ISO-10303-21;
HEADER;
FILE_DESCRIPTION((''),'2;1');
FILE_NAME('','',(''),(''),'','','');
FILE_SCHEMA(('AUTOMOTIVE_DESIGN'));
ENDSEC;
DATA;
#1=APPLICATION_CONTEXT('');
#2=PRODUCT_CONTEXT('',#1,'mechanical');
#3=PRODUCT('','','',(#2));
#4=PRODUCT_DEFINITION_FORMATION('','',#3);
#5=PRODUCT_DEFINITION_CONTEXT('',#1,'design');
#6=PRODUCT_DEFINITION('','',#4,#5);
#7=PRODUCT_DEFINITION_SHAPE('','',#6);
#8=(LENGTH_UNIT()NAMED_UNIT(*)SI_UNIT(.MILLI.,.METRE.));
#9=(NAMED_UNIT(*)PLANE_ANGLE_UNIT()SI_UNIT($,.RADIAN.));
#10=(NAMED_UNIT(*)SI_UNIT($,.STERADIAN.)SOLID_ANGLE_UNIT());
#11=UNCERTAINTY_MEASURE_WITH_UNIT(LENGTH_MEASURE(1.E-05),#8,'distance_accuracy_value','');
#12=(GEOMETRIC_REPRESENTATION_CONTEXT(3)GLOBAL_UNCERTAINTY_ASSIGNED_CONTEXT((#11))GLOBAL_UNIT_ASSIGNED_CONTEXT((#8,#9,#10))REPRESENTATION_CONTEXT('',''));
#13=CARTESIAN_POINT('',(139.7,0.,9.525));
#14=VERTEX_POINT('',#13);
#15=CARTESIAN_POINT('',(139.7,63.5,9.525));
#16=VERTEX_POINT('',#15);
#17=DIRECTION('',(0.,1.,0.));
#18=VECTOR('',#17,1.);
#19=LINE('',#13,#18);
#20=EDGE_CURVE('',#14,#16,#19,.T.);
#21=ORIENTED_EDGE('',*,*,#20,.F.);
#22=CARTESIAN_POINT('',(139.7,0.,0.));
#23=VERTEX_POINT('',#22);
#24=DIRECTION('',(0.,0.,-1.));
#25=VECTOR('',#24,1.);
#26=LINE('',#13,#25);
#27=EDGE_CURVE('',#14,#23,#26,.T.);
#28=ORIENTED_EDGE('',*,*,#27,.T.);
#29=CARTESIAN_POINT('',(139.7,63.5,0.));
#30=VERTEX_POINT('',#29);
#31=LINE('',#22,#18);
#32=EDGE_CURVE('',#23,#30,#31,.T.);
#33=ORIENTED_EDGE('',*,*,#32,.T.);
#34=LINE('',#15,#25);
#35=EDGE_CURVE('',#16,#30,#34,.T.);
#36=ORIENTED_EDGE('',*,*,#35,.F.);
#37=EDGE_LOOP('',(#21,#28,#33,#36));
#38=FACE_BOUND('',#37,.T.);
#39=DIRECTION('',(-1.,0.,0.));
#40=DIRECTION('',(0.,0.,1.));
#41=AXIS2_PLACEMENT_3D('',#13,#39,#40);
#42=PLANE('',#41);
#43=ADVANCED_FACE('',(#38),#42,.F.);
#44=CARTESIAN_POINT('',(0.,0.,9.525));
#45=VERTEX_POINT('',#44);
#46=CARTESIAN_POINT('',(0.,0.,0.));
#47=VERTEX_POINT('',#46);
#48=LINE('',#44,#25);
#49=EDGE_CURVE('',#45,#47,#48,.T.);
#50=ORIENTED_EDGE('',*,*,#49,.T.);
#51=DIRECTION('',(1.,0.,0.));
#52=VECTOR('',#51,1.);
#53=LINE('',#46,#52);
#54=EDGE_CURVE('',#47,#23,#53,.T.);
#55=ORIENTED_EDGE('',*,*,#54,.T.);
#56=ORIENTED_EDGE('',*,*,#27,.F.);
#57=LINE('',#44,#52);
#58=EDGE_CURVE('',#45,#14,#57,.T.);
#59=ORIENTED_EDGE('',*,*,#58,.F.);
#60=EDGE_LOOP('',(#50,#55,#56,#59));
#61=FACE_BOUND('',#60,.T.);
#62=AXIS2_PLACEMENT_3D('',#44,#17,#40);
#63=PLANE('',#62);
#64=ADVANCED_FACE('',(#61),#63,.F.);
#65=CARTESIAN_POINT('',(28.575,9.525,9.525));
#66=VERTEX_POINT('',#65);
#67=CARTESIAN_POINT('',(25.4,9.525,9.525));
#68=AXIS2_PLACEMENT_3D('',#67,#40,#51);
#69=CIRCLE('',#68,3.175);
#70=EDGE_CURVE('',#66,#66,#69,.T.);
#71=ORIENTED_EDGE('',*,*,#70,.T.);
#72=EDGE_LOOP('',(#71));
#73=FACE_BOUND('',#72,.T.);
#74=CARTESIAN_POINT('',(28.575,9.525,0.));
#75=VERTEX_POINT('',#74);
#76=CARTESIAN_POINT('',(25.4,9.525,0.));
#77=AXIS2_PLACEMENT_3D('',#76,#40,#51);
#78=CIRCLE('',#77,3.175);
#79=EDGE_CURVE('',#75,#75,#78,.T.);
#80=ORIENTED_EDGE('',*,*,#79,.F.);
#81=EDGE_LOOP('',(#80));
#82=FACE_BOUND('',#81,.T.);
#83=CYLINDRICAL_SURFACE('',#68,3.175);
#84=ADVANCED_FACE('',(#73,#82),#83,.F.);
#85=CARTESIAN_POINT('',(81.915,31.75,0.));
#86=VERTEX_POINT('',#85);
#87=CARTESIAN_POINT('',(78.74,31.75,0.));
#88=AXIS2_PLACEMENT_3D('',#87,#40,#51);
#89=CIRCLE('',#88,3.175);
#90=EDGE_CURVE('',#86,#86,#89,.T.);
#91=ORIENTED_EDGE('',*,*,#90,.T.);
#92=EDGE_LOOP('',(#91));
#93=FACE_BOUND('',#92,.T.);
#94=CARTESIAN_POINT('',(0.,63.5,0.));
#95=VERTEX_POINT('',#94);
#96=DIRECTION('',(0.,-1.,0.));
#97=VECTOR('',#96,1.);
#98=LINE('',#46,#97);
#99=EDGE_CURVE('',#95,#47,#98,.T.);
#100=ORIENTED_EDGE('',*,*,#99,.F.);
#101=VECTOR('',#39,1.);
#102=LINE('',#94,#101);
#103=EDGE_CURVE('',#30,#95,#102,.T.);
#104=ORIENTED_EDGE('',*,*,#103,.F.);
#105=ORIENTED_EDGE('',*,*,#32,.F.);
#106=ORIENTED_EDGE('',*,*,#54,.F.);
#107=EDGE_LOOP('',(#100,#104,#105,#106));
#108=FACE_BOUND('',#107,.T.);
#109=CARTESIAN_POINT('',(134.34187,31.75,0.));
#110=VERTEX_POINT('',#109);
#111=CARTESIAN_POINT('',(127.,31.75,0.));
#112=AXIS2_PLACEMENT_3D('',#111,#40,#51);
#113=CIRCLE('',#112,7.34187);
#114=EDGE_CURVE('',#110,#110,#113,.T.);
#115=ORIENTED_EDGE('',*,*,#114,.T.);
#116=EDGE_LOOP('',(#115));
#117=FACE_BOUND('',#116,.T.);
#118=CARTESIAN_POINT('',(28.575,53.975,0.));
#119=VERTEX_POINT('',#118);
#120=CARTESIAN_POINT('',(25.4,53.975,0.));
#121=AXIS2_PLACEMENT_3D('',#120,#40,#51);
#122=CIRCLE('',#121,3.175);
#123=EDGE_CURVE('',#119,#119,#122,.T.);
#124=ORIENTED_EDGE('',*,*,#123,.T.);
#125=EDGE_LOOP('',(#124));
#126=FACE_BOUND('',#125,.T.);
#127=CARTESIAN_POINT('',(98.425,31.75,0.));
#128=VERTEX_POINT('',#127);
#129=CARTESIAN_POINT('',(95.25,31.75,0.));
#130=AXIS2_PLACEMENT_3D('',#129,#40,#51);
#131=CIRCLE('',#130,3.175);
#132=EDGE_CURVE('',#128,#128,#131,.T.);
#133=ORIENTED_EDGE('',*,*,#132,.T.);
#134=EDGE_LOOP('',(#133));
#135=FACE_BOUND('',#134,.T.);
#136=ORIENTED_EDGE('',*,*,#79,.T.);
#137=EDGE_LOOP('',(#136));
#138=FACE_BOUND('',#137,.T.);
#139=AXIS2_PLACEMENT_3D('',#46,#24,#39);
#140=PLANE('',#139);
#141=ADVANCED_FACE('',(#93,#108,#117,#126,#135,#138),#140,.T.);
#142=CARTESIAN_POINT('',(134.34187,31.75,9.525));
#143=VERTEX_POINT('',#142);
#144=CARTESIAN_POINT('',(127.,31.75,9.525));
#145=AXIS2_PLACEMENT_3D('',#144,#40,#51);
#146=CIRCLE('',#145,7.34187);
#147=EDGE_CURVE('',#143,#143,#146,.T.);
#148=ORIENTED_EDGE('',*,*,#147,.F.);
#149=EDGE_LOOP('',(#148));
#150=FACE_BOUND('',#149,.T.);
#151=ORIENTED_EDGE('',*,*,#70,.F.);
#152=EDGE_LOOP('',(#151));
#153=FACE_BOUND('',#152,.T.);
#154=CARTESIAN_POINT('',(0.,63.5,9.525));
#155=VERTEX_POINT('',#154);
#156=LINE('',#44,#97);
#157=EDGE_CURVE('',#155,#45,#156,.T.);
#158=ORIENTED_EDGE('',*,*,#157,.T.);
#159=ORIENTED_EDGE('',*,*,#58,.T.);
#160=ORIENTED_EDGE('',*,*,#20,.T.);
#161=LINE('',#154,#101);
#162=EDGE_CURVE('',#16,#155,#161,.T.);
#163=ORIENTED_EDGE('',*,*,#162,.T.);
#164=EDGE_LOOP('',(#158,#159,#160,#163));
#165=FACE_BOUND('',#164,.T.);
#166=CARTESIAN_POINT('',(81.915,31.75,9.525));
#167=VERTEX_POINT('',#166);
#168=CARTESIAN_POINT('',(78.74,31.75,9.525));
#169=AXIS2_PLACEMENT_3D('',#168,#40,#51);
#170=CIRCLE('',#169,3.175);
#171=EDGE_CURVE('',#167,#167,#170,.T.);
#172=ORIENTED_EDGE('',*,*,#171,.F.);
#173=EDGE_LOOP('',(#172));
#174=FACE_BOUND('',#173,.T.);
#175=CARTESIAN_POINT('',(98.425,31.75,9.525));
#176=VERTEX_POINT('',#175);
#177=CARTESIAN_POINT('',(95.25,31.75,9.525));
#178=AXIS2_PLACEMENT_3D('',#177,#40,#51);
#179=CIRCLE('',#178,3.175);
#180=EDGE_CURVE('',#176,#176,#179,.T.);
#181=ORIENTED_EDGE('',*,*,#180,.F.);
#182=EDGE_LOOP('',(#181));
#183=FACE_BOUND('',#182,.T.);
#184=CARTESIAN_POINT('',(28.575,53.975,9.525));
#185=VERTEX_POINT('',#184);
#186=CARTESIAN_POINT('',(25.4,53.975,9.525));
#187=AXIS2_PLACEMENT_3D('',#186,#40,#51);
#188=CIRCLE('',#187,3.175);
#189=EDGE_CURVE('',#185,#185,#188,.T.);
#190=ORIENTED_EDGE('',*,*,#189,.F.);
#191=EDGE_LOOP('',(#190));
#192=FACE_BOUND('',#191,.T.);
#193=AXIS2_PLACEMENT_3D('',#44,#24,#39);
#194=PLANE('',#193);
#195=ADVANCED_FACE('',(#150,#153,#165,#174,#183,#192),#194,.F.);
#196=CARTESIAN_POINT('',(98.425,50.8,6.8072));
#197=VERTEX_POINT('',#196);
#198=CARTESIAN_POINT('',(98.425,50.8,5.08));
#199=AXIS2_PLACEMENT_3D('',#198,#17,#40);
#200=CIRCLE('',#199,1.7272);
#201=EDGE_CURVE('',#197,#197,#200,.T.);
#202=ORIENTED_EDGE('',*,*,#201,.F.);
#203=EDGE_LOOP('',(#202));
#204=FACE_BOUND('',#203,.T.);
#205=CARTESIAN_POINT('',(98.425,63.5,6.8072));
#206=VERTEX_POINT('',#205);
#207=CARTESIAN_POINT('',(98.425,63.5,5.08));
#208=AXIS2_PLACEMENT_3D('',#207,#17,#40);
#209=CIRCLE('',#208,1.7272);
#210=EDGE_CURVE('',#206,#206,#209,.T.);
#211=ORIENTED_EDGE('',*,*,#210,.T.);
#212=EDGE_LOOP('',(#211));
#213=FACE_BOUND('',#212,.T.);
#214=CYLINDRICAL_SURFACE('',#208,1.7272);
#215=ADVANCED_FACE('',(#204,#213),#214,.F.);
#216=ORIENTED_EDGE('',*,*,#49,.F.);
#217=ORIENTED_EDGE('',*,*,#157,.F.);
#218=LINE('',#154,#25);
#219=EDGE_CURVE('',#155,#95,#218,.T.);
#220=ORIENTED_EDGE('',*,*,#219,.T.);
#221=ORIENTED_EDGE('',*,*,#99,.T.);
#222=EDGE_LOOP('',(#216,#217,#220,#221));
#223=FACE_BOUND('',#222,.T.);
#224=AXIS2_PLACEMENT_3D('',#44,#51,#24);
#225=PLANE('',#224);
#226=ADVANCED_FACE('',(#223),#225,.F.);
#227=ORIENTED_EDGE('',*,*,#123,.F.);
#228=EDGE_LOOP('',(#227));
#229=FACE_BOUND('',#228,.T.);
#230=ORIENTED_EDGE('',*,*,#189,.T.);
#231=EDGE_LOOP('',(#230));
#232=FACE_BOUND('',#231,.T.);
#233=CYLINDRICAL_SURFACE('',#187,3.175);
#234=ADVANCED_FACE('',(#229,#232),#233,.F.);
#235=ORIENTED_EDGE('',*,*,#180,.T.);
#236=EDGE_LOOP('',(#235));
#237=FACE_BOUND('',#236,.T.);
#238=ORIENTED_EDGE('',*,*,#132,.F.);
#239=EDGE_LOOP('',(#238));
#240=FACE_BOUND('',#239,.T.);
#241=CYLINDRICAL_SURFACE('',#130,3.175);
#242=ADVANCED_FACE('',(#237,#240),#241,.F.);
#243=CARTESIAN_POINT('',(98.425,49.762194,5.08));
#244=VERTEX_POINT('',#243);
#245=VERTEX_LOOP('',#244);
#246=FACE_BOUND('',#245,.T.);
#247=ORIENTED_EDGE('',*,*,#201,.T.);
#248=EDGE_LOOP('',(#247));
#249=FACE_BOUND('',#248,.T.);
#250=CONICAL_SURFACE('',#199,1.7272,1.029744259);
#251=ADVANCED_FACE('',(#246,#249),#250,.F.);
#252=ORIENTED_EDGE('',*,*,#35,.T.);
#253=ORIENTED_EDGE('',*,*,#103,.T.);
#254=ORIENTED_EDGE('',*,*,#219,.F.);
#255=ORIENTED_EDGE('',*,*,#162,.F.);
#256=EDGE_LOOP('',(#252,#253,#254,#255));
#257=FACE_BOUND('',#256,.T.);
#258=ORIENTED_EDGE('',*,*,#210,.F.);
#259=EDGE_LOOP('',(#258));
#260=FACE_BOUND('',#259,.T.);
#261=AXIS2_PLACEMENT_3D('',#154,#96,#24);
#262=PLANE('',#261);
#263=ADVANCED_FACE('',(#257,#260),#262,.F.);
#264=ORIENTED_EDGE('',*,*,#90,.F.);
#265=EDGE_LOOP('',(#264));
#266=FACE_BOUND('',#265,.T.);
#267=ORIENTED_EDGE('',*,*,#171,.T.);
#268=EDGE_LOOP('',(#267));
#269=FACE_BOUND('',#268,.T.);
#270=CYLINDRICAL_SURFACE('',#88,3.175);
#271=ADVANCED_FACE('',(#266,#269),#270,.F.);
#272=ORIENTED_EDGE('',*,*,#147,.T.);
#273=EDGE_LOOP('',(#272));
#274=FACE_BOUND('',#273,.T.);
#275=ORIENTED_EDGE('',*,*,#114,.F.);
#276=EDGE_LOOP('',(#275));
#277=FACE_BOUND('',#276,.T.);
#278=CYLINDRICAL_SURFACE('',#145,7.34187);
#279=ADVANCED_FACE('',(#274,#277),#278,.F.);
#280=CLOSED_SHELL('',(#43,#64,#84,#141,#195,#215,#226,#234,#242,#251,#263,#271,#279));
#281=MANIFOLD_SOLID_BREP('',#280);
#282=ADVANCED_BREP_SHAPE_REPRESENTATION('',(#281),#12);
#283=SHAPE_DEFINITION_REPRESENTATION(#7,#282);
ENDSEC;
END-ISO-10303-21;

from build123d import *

# Parameters (mm, degrees)
SKETCH1_W                   = 139.7
SKETCH1_H                   = 63.5
BOSS_EXTRUDE1_DEPTH         = 9.525
F_5_8_18_TAPPED_HOLE1_D     = 14.68374
F_1_4_0_25_DIAMETER_HOLE1_D = 6.35
F_8_32_TAPPED_HOLE1_D       = 3.4544
F_8_32_TAPPED_HOLE1_DEPTH   = 12.7
F_8_32_TAPPED_HOLE1_TIP     = 1.037806461
SKETCH9_R                   = 3.175
CUT_EXTRUDE1_DEPTH          = 10.525


with BuildPart() as part:
    # Sketch1 → Boss-Extrude1 (new body)
    with BuildSketch(Plane.XY):
        with Locations((69.85, 31.75)):
            Rectangle(SKETCH1_W, SKETCH1_H)
    extrude(amount=BOSS_EXTRUDE1_DEPTH)

    # 5/8-18 Tapped Hole1 (through all)
    with Locations(Plane.XY.offset(9.525)):
        with Locations((127, 31.75)):
            Hole(F_5_8_18_TAPPED_HOLE1_D / 2)

    # 1/4 (0.25) Diameter Hole1 (through all)
    with Locations(Plane(origin=(25.4, 53.975, 9.525), x_dir=(1, 0, 0), z_dir=(0, 0, 1))):
        with Locations((0, 0), (0, -44.45)):
            Hole(F_1_4_0_25_DIAMETER_HOLE1_D / 2)

    # #8-32 Tapped Hole1
    with Locations(Plane(origin=(98.425, 63.5, 5.08), x_dir=(0, 0, 1), z_dir=(0, 1, 0))):
        with Locations((0, 0)):
            Hole(F_8_32_TAPPED_HOLE1_D / 2, depth=F_8_32_TAPPED_HOLE1_DEPTH)
            with Locations((0, 0, -(F_8_32_TAPPED_HOLE1_DEPTH + F_8_32_TAPPED_HOLE1_TIP / 2))):  # 118° drill point
                Cone(0, F_8_32_TAPPED_HOLE1_D / 2, F_8_32_TAPPED_HOLE1_TIP, mode=Mode.SUBTRACT)

    # Sketch9 → Cut-Extrude1 (cut, through all)
    with BuildSketch(Plane.XY.offset(9.525)):
        with Locations((95.25, 31.75)):
            Circle(SKETCH9_R)
        with Locations((78.74, 31.75)):
            Circle(SKETCH9_R)
    extrude(amount=-CUT_EXTRUDE1_DEPTH, mode=Mode.SUBTRACT)


solid = part.part
